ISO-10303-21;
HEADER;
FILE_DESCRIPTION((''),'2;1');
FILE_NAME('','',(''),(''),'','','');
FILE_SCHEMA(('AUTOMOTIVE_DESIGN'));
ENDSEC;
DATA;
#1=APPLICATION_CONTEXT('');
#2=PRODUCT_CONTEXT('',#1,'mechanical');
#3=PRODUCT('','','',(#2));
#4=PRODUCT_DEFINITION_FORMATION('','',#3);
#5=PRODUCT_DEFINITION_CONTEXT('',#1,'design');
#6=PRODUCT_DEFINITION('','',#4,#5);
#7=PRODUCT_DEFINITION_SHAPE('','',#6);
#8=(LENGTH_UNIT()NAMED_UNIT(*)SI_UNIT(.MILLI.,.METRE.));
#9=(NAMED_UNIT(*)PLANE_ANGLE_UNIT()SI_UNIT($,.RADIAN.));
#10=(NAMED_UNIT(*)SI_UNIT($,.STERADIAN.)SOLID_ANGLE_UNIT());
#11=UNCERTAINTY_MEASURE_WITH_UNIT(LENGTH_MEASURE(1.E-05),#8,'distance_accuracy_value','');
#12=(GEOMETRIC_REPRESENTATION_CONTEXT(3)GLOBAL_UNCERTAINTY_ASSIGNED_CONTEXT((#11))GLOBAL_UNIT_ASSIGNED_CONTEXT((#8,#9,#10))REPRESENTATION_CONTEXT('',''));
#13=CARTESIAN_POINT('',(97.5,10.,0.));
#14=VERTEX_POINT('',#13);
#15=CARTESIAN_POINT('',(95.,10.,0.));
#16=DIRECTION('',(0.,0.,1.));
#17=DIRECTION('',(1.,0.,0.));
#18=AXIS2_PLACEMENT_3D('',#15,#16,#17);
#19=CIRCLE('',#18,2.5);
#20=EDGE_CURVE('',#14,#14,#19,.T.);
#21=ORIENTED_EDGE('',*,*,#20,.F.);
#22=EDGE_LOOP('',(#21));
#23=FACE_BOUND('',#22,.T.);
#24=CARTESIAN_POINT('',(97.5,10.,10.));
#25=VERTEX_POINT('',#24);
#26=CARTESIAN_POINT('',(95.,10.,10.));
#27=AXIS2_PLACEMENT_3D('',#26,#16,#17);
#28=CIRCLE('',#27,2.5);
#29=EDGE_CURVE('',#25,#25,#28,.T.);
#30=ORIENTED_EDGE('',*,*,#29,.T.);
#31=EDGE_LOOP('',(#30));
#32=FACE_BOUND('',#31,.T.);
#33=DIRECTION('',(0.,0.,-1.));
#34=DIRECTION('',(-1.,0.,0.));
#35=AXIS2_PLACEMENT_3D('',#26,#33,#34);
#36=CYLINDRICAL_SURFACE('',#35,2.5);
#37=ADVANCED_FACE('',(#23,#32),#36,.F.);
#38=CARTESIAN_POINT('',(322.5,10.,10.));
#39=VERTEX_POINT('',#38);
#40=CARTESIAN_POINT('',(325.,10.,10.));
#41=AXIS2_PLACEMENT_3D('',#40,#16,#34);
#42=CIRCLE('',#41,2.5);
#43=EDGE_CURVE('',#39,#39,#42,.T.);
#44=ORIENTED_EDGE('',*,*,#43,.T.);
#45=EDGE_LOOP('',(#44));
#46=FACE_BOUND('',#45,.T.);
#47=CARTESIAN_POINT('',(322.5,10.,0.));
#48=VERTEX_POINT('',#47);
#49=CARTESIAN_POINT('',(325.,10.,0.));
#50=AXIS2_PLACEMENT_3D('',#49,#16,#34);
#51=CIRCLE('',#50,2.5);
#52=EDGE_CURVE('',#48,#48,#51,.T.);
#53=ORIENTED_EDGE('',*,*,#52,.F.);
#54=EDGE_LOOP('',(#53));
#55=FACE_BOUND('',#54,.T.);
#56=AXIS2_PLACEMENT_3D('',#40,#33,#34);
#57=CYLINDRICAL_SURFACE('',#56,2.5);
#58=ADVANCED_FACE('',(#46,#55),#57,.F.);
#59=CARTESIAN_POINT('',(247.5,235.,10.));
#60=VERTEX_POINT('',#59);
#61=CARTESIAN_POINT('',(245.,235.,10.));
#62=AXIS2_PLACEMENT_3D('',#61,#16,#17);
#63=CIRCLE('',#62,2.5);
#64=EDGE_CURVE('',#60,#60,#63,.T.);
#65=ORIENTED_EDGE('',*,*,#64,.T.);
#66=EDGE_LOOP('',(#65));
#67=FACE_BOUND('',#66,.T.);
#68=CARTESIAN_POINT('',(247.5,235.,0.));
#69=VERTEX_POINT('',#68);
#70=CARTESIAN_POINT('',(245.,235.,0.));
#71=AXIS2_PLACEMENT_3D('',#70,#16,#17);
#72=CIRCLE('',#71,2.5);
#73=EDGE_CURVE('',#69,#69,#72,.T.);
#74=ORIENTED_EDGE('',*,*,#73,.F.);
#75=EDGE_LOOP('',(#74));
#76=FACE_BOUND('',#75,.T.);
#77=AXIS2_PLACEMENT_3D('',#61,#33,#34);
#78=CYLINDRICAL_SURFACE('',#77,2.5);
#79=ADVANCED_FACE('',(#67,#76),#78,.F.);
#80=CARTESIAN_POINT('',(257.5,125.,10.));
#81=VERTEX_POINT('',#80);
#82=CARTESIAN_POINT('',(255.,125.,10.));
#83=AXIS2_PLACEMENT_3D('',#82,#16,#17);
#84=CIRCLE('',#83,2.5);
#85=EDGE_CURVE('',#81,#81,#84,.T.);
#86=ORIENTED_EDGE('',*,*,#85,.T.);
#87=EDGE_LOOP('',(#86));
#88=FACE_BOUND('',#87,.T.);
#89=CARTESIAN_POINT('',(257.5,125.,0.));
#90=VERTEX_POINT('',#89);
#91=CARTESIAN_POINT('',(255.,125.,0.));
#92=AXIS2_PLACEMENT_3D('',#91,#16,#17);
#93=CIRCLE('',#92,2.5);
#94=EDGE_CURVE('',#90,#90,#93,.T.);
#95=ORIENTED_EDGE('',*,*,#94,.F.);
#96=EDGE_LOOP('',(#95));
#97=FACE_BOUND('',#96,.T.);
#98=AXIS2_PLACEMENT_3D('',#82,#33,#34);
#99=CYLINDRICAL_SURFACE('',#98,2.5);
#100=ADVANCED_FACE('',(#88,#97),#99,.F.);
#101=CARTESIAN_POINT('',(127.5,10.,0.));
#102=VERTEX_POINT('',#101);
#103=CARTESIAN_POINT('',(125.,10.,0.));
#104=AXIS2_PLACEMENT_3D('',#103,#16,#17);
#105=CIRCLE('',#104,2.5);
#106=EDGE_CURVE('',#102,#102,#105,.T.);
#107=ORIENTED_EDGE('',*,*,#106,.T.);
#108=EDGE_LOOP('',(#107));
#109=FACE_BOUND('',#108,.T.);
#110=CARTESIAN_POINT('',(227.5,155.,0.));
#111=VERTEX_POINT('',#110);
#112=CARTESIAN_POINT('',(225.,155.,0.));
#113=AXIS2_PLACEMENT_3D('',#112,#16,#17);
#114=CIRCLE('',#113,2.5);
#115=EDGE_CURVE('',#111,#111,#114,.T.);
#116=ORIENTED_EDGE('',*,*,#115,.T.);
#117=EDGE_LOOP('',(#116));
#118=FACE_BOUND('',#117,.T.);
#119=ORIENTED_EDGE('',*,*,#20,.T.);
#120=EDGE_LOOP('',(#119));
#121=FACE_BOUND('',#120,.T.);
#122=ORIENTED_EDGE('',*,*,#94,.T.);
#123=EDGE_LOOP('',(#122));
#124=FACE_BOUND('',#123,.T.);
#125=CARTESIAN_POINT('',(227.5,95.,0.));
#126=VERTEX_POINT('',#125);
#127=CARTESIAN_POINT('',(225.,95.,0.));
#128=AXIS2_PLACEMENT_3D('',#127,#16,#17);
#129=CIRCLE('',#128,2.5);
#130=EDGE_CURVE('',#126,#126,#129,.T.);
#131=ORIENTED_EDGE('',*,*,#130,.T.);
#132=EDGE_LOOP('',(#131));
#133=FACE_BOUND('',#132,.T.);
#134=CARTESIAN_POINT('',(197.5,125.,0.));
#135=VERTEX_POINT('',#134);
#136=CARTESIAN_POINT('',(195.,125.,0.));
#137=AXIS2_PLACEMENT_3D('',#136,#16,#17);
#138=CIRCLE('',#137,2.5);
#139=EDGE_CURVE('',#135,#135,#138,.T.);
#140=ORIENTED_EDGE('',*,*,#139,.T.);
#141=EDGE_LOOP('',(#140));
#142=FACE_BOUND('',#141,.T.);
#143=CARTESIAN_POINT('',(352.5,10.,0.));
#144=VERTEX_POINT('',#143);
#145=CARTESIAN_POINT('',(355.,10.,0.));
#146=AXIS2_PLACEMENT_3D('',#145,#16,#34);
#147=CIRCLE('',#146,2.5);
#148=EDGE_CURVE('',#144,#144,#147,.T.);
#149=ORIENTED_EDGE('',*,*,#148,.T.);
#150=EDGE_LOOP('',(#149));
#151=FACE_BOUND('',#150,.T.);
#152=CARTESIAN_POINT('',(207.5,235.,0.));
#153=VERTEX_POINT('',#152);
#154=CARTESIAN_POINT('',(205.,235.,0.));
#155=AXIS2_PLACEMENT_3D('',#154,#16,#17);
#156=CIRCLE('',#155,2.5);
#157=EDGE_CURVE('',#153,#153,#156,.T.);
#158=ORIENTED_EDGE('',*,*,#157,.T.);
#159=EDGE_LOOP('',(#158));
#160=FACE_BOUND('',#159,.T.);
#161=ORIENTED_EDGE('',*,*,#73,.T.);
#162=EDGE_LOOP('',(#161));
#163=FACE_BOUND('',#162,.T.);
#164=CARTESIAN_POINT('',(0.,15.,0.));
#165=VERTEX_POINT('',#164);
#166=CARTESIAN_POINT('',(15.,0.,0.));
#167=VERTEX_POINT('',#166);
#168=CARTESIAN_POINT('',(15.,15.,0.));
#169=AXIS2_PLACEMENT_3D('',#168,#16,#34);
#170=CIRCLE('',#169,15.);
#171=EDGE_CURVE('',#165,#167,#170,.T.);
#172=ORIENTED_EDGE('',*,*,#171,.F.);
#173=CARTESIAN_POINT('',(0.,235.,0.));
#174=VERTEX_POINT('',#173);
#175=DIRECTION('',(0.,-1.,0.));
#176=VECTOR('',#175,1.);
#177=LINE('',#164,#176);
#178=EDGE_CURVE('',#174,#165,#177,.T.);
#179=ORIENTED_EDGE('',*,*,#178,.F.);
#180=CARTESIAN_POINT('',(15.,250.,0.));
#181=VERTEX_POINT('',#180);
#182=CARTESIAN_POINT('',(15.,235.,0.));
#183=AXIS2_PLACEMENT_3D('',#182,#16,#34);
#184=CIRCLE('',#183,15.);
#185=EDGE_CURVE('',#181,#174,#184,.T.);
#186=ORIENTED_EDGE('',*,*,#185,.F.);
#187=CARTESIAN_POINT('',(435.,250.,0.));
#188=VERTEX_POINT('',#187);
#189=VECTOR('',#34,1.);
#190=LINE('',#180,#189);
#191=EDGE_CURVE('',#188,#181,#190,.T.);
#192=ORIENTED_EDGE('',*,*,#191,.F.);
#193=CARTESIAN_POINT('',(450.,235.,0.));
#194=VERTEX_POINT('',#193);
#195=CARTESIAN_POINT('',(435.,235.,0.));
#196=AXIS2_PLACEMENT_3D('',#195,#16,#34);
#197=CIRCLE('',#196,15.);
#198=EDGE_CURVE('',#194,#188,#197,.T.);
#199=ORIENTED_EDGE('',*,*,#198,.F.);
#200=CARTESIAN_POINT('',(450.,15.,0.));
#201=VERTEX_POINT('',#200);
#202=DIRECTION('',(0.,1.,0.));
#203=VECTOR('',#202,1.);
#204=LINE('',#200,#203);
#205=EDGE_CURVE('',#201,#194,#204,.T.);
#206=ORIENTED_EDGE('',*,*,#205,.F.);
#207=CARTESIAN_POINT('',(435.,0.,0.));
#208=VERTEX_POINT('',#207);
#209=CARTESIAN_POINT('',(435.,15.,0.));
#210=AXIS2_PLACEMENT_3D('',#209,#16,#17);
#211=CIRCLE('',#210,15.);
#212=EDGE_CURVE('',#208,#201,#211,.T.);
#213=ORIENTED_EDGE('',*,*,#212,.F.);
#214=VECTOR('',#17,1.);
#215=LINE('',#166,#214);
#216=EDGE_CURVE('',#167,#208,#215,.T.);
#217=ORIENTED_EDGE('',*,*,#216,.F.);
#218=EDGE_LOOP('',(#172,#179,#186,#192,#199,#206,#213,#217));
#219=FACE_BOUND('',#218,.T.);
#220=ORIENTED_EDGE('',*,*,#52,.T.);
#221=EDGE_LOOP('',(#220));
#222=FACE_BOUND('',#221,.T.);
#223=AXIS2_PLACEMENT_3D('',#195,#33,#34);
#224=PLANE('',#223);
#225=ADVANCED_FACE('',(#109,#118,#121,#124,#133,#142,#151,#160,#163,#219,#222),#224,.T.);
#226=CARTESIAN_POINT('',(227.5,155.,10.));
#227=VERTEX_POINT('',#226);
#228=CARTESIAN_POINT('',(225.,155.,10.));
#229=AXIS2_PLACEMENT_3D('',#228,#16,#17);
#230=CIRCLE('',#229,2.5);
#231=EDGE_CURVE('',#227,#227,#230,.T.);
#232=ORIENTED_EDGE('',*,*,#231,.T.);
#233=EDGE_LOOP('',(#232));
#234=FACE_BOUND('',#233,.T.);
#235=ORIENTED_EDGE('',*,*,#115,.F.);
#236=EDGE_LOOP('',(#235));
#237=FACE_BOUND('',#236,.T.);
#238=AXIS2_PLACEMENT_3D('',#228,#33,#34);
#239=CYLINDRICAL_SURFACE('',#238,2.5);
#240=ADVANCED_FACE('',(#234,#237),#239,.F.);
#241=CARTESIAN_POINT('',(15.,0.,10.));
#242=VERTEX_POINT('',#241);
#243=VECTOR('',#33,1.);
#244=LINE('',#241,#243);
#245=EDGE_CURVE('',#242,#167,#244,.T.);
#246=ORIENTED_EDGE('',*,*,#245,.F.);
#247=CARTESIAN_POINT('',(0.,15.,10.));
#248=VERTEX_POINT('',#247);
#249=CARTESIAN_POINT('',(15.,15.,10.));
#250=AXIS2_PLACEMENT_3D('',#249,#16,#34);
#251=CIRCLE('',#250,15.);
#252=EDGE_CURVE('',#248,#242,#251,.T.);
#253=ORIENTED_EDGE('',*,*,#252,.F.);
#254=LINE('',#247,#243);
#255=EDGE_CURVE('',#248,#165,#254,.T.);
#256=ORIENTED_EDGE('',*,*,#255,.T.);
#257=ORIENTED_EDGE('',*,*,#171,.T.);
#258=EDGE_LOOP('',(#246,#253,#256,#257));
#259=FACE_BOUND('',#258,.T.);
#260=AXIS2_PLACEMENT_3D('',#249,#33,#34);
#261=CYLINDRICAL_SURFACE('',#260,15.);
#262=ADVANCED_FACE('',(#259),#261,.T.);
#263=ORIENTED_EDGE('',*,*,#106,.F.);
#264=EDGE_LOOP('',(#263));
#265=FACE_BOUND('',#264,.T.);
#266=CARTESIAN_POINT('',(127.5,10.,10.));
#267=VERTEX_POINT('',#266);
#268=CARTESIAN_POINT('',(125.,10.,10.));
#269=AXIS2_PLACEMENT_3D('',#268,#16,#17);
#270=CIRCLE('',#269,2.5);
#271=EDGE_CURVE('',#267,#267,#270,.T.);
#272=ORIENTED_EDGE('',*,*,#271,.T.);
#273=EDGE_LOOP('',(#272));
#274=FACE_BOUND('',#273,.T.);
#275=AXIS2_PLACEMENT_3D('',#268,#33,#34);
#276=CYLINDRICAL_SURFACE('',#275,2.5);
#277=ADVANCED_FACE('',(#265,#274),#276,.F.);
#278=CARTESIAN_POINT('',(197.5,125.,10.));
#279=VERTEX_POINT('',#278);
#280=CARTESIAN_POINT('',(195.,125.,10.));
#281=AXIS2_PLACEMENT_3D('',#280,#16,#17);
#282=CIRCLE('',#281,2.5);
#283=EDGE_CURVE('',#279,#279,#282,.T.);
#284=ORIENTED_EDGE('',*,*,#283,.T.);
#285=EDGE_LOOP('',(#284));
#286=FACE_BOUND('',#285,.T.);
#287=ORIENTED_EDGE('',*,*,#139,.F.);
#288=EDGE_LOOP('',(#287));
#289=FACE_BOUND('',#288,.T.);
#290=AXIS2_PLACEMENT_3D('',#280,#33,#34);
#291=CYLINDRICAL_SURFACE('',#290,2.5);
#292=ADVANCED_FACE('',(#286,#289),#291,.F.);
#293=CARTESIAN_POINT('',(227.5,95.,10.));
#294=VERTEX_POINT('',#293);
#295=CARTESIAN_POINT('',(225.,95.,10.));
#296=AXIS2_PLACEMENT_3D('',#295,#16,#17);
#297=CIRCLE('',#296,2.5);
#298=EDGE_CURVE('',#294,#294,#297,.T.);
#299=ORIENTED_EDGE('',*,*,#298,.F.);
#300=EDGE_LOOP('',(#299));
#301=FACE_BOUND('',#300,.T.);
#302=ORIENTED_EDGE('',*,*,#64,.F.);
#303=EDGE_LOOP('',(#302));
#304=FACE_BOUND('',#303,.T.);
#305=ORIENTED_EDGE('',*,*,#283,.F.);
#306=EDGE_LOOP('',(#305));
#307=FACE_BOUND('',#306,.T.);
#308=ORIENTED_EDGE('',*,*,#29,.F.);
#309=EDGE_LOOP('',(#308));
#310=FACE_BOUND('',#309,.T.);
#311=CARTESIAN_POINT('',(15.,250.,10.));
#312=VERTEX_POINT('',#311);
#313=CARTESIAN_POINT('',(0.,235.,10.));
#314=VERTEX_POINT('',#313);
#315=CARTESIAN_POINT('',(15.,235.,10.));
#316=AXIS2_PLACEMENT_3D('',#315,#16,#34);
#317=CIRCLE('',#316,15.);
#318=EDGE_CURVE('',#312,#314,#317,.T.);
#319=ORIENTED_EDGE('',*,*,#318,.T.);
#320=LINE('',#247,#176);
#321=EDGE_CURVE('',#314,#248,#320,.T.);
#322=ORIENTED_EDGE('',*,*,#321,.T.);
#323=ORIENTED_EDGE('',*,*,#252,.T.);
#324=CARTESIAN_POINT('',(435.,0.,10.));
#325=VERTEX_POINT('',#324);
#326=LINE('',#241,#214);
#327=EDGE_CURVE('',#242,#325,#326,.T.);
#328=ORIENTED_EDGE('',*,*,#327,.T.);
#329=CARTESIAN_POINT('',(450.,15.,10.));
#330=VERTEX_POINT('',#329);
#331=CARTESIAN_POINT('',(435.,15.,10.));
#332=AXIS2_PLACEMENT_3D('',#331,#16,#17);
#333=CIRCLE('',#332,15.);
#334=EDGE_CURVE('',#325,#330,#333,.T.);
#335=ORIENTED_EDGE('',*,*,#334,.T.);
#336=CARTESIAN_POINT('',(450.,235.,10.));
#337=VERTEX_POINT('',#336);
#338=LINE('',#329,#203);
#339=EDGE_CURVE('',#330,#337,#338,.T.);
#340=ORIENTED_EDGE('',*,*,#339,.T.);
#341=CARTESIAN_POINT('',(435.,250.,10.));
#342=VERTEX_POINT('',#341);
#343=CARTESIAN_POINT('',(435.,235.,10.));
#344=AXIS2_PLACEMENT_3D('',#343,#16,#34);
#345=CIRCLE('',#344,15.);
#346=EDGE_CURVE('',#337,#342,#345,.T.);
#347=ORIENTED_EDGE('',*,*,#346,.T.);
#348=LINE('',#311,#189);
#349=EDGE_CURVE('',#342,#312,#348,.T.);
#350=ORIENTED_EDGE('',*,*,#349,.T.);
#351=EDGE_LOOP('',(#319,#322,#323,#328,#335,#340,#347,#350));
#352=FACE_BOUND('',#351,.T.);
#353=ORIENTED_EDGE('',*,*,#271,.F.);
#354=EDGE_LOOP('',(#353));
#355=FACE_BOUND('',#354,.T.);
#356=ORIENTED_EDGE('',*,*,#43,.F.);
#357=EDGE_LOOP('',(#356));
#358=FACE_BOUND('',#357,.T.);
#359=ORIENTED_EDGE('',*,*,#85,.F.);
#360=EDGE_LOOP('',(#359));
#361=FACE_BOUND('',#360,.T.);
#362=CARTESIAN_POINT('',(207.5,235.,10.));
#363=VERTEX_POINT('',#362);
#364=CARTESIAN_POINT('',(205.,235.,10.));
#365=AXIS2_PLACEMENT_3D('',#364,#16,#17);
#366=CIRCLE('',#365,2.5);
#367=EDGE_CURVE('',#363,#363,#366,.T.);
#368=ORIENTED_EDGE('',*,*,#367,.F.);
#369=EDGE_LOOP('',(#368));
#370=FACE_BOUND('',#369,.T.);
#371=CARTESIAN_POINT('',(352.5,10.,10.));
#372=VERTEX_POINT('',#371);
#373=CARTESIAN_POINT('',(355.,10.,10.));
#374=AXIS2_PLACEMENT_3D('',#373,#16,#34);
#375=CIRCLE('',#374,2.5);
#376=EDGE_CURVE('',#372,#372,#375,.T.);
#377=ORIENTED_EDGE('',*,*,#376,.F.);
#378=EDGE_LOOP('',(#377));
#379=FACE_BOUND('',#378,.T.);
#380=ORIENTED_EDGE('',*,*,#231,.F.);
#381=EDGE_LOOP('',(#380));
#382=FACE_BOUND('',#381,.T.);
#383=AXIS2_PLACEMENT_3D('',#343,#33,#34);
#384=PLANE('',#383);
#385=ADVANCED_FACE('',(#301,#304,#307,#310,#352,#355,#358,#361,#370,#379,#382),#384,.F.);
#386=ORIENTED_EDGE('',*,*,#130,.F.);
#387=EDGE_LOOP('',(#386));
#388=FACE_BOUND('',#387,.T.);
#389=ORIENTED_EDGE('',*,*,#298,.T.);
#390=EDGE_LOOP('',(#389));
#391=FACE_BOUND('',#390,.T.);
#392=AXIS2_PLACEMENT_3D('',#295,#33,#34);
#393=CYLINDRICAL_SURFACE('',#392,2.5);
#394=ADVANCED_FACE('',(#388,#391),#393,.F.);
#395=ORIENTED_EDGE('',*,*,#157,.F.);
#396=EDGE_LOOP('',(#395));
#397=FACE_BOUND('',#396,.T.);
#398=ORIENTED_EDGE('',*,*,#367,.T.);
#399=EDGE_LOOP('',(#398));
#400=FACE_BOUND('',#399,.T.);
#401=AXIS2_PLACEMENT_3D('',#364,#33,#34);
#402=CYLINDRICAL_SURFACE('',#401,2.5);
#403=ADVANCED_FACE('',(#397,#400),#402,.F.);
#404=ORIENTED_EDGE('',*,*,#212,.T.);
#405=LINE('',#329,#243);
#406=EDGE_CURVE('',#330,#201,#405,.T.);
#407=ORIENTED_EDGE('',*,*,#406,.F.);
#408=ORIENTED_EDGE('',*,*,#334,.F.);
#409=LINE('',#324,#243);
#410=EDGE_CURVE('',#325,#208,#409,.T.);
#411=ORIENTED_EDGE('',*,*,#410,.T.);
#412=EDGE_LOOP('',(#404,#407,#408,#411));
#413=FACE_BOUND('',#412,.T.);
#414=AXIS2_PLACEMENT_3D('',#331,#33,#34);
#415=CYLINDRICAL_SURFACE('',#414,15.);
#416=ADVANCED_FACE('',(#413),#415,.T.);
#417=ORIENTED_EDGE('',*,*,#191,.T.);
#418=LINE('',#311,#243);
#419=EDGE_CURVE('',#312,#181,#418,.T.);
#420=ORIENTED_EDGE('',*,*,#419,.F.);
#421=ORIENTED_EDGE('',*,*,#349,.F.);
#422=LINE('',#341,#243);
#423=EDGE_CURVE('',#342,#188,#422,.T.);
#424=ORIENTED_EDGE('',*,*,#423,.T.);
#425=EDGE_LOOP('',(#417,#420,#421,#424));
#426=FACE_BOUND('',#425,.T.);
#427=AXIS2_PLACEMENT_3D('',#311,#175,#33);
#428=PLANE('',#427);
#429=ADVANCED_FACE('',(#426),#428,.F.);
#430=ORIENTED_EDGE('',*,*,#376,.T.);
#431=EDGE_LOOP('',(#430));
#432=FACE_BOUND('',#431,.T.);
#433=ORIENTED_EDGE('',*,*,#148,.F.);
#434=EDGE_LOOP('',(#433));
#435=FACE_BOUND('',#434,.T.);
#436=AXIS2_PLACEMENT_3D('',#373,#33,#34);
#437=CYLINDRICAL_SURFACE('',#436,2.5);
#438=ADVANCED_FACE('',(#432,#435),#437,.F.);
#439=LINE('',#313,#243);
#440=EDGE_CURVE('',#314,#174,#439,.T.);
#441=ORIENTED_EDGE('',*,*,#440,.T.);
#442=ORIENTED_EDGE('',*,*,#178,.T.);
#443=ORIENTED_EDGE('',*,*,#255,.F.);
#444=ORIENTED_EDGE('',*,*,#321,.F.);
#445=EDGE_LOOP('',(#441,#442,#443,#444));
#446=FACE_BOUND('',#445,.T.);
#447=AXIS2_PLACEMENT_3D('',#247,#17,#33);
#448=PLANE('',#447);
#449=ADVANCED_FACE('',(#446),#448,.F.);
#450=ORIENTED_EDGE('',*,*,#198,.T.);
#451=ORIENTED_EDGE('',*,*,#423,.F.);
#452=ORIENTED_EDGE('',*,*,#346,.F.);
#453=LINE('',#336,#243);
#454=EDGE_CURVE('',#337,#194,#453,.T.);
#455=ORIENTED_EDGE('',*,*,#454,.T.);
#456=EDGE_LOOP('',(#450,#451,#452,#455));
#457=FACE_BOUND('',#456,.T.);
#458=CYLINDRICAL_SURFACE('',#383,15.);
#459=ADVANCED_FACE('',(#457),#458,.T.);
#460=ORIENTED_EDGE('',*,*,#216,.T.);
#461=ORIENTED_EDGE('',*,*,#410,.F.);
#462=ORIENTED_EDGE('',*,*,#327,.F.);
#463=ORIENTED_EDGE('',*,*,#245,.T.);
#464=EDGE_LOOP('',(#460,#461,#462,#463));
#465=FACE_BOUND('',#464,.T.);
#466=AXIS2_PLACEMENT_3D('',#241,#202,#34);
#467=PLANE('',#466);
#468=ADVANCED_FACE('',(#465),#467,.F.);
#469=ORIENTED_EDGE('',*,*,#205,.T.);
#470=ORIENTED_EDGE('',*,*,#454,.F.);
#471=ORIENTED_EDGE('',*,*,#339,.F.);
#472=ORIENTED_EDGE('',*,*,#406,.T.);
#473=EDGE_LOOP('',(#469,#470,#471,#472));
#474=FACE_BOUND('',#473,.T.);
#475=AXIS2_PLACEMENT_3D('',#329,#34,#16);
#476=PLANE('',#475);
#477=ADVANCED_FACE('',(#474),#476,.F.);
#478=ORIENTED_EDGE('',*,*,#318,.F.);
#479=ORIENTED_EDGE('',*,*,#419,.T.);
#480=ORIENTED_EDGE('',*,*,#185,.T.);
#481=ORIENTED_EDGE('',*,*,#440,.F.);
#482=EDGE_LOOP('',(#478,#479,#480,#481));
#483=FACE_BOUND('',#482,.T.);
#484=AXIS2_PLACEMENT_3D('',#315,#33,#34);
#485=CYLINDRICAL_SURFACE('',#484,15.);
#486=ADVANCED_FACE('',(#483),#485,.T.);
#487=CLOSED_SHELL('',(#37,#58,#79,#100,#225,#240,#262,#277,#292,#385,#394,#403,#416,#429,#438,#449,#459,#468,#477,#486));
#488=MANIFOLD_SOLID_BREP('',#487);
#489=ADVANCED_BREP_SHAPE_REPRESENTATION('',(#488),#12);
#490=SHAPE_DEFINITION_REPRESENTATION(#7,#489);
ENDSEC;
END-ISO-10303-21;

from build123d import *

# Parameters (mm, degrees)
CROQUIS1_R              = 2.5
SALIENTE_EXTRUIR1_DEPTH = 10


with BuildPart() as part:
    # Croquis1 → Saliente-Extruir1 (new body)
    with BuildSketch(Plane.XY):
        with BuildLine():
            Line((15, 0), (435, 0))
            ThreePointArc((435, 0), (445.606601718, 4.393398282), (450, 15))
            Line((450, 15), (450, 235))
            ThreePointArc((450, 235), (445.606601718, 245.606601718), (435, 250))
            Line((435, 250), (15, 250))
            ThreePointArc((15, 250), (4.393398282, 245.606601718), (0, 235))
            Line((0, 235), (0, 15))
            ThreePointArc((0, 15), (4.393398282, 4.393398282), (15, 0))
        make_face()
        with Locations((255, 125)):
            Circle(CROQUIS1_R, mode=Mode.SUBTRACT)
        with Locations((225, 95)):
            Circle(CROQUIS1_R, mode=Mode.SUBTRACT)
        with Locations((195, 125)):
            Circle(CROQUIS1_R, mode=Mode.SUBTRACT)
        with Locations((225, 155)):
            Circle(CROQUIS1_R, mode=Mode.SUBTRACT)
        with Locations((125, 10)):
            Circle(CROQUIS1_R, mode=Mode.SUBTRACT)
        with Locations((95, 10)):
            Circle(CROQUIS1_R, mode=Mode.SUBTRACT)
        with Locations(Location((355, 10, 0), (0, 0, 180))):
            Circle(CROQUIS1_R, mode=Mode.SUBTRACT)
        with Locations(Location((325, 10, 0), (0, 0, 180))):
            Circle(CROQUIS1_R, mode=Mode.SUBTRACT)
        with Locations((245, 235)):
            Circle(CROQUIS1_R, mode=Mode.SUBTRACT)
        with Locations((205, 235)):
            Circle(CROQUIS1_R, mode=Mode.SUBTRACT)
    extrude(amount=SALIENTE_EXTRUIR1_DEPTH)


solid = part.part
